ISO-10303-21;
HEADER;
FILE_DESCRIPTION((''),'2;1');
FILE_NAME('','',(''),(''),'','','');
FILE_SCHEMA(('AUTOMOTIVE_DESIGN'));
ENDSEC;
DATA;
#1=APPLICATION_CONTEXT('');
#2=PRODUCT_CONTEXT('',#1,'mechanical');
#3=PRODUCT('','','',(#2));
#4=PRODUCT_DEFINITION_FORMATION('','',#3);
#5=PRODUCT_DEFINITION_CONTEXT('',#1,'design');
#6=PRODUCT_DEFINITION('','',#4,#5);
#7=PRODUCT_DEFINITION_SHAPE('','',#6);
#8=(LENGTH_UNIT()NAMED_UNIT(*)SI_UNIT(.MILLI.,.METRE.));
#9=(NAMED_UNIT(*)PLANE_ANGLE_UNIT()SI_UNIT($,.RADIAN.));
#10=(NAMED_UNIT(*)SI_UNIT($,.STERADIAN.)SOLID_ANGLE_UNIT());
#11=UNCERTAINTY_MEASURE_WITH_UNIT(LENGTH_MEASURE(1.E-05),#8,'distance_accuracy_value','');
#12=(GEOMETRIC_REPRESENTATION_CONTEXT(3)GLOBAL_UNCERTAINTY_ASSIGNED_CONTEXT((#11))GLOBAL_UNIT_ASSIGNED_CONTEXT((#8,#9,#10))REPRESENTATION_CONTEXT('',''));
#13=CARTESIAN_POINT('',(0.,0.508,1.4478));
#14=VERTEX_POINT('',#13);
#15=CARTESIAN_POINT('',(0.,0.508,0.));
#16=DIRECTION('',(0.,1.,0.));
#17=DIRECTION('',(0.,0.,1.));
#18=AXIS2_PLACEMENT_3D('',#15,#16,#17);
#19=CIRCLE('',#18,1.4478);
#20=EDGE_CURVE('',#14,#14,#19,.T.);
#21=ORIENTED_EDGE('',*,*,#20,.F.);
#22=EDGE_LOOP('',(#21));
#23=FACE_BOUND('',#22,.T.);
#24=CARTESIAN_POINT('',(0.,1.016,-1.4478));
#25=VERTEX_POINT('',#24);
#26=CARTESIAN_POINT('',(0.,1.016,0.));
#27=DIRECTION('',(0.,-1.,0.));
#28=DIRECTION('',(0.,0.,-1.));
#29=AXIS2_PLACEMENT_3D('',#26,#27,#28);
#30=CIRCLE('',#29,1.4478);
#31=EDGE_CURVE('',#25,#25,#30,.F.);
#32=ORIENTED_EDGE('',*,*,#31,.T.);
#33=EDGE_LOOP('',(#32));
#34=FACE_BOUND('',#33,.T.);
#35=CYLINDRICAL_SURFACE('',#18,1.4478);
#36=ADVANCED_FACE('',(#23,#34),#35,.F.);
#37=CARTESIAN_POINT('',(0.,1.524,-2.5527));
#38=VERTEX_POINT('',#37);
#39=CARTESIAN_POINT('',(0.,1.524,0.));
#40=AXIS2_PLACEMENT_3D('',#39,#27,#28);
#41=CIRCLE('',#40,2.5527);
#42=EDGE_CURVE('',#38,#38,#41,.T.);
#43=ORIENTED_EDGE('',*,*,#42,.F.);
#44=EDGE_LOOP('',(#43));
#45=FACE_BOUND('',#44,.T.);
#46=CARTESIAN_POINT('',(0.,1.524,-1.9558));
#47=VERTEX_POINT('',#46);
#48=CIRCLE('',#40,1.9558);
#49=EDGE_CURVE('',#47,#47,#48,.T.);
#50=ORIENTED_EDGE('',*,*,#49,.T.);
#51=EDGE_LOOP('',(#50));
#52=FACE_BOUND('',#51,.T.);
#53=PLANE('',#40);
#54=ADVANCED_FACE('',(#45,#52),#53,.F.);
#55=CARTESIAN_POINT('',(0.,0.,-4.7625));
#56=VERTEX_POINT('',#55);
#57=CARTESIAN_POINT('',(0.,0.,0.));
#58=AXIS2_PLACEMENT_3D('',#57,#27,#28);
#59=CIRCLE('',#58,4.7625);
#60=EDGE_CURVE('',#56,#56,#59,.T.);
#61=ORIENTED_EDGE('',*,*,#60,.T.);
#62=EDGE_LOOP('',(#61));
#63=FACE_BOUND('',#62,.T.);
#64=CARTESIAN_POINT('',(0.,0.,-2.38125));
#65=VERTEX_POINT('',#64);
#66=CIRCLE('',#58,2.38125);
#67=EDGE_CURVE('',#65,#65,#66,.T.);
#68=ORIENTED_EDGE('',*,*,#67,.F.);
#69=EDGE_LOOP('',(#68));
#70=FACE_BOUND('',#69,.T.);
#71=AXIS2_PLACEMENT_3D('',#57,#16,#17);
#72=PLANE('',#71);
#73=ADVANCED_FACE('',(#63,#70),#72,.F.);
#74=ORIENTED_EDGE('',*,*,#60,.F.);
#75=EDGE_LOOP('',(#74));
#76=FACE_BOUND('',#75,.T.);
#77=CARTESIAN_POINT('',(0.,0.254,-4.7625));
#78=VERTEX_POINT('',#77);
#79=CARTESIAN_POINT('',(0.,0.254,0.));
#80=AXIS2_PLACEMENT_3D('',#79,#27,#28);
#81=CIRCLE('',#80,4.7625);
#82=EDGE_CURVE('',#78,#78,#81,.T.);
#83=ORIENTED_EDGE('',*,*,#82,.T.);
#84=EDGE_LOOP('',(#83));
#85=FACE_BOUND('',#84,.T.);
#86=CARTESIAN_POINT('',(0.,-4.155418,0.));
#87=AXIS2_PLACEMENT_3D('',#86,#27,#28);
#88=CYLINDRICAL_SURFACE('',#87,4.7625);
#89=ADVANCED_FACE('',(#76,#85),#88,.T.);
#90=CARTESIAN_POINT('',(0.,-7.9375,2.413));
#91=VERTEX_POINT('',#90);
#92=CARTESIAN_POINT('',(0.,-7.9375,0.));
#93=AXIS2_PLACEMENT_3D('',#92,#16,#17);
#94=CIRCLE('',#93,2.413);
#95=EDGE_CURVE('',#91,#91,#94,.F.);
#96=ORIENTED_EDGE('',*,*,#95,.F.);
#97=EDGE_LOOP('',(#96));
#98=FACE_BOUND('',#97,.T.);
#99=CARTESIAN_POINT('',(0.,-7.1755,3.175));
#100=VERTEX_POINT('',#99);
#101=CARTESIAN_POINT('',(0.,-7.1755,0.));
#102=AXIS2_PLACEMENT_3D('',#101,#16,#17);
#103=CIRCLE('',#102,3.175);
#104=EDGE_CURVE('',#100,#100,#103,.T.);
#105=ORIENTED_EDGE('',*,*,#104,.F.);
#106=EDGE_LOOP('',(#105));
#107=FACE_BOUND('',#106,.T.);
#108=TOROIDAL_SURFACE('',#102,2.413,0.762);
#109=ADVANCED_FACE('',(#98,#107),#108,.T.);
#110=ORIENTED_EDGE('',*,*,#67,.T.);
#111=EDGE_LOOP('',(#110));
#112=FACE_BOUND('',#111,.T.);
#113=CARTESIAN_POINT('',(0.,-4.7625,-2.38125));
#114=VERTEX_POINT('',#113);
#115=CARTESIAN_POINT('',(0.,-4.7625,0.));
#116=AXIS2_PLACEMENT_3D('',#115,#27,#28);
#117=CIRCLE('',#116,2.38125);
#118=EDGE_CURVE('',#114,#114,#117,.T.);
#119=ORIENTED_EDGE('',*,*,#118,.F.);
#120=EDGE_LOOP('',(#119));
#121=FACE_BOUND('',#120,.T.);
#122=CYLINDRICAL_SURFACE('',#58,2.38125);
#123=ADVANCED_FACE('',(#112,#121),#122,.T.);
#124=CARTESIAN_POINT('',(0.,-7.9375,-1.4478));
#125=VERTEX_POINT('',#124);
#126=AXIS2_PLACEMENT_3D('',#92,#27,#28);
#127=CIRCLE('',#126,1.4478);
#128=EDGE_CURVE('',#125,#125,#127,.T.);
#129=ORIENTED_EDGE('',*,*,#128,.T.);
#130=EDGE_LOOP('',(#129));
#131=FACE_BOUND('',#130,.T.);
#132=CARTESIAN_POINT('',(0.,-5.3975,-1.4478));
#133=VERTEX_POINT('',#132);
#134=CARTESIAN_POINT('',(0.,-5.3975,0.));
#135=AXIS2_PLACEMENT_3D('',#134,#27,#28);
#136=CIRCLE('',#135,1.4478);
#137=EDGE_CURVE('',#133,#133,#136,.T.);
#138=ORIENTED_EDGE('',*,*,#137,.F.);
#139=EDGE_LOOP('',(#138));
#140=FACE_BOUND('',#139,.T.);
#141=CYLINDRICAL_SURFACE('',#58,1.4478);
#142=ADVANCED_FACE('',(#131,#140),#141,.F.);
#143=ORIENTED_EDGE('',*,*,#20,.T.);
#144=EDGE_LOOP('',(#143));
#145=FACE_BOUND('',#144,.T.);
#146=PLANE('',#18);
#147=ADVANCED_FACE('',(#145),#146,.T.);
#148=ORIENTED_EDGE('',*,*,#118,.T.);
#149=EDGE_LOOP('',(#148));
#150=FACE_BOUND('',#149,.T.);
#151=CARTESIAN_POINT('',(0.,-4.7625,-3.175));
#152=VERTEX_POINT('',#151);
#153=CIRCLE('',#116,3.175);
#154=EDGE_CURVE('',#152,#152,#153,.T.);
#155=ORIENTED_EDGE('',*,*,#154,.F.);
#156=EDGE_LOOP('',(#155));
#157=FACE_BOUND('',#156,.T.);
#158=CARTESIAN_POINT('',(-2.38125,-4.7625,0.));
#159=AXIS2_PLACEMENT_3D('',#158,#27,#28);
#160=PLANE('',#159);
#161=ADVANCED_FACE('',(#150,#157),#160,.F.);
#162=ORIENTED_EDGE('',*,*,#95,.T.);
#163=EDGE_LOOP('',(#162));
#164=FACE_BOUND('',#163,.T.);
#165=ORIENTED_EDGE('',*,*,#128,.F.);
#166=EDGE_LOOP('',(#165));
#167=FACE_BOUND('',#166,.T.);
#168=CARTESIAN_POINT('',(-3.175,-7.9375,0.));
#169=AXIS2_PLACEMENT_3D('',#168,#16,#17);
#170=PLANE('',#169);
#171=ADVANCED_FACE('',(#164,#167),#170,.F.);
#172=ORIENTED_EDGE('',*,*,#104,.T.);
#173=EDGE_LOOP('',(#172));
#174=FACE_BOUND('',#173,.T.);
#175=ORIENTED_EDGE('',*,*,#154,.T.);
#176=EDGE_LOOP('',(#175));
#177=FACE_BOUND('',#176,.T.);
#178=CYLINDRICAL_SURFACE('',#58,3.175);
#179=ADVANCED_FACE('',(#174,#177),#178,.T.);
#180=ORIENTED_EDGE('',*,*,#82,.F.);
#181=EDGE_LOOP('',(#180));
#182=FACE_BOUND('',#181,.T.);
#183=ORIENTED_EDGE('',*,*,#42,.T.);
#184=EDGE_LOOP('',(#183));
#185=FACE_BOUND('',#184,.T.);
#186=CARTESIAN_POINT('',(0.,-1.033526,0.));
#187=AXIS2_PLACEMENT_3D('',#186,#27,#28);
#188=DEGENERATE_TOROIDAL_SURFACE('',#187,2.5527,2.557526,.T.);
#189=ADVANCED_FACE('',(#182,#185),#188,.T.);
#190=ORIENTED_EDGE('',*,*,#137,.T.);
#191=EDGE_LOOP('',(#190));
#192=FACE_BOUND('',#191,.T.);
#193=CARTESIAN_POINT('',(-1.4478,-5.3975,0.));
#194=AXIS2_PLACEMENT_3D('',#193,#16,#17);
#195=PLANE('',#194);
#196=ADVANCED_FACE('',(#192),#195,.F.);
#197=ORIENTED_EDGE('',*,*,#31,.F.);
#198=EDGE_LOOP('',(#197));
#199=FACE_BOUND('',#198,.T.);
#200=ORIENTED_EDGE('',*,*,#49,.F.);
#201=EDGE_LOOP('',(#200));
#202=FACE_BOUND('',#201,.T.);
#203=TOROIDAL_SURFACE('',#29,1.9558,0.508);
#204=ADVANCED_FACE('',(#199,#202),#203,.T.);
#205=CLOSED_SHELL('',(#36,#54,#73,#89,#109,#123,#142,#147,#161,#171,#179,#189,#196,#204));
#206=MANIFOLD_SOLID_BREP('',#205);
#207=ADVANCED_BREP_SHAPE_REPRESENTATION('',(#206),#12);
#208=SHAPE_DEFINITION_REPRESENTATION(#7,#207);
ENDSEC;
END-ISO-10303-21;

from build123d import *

# Parameters (mm, degrees)
SKETCH3_R          = 1.4478
CUT_EXTRUDE1_DEPTH = 1.016
FILLET1_R          = 0.508
FILLET3_R          = 0.762


with BuildPart() as part:
    # Sketch2 → Revolve1 (revolve)
    with BuildSketch(Plane.XY):
        with BuildLine():
            Line((0, 0), (-4.7625, 0))
            Line((-4.7625, 0), (-4.7625, 0.254))
            ThreePointArc((-4.7625, 0.254), (-3.827073968, 1.183884704), (-2.5527, 1.524))
            Line((-2.5527, 1.524), (0, 1.524))
            Line((0, 1.524), (0, 0))
        make_face()
    revolve(axis=Axis((0, -4.155418325, 0), (0, 1, 0)))

    # Sketch3 → Cut-Extrude1 (cut)
    with BuildSketch(Plane(origin=(0, 1.524, 0), x_dir=(1, 0, 0), z_dir=(0, 1, 0))):
        Circle(SKETCH3_R)
    extrude(amount=-CUT_EXTRUDE1_DEPTH, mode=Mode.SUBTRACT)

    # Fillet1
    fillet1_edges = [part.edges().sort_by_distance(p)[0] for p in [
        (-1.4478, 1.524, 0),
    ]]
    fillet(fillet1_edges, radius=FILLET1_R)

    # Sketch5 → Revolve3 (revolve)
    with BuildSketch(Plane.XY):
        Polygon((0, 0), (-2.38125, 0), (-2.38125, -4.7625), (-3.175, -4.7625), (-3.175, -7.9375), (-1.4478, -7.9375), (-1.4478, -5.3975), (0, -5.3975), align=None)
    revolve(axis=Axis((0, 0, 0), (0, 1, 0)))

    # Fillet3
    fillet3_edges = [part.edges().sort_by_distance(p)[0] for p in [
        (3.175, -7.9375, 0),
    ]]
    fillet(fillet3_edges, radius=FILLET3_R)


solid = part.part
